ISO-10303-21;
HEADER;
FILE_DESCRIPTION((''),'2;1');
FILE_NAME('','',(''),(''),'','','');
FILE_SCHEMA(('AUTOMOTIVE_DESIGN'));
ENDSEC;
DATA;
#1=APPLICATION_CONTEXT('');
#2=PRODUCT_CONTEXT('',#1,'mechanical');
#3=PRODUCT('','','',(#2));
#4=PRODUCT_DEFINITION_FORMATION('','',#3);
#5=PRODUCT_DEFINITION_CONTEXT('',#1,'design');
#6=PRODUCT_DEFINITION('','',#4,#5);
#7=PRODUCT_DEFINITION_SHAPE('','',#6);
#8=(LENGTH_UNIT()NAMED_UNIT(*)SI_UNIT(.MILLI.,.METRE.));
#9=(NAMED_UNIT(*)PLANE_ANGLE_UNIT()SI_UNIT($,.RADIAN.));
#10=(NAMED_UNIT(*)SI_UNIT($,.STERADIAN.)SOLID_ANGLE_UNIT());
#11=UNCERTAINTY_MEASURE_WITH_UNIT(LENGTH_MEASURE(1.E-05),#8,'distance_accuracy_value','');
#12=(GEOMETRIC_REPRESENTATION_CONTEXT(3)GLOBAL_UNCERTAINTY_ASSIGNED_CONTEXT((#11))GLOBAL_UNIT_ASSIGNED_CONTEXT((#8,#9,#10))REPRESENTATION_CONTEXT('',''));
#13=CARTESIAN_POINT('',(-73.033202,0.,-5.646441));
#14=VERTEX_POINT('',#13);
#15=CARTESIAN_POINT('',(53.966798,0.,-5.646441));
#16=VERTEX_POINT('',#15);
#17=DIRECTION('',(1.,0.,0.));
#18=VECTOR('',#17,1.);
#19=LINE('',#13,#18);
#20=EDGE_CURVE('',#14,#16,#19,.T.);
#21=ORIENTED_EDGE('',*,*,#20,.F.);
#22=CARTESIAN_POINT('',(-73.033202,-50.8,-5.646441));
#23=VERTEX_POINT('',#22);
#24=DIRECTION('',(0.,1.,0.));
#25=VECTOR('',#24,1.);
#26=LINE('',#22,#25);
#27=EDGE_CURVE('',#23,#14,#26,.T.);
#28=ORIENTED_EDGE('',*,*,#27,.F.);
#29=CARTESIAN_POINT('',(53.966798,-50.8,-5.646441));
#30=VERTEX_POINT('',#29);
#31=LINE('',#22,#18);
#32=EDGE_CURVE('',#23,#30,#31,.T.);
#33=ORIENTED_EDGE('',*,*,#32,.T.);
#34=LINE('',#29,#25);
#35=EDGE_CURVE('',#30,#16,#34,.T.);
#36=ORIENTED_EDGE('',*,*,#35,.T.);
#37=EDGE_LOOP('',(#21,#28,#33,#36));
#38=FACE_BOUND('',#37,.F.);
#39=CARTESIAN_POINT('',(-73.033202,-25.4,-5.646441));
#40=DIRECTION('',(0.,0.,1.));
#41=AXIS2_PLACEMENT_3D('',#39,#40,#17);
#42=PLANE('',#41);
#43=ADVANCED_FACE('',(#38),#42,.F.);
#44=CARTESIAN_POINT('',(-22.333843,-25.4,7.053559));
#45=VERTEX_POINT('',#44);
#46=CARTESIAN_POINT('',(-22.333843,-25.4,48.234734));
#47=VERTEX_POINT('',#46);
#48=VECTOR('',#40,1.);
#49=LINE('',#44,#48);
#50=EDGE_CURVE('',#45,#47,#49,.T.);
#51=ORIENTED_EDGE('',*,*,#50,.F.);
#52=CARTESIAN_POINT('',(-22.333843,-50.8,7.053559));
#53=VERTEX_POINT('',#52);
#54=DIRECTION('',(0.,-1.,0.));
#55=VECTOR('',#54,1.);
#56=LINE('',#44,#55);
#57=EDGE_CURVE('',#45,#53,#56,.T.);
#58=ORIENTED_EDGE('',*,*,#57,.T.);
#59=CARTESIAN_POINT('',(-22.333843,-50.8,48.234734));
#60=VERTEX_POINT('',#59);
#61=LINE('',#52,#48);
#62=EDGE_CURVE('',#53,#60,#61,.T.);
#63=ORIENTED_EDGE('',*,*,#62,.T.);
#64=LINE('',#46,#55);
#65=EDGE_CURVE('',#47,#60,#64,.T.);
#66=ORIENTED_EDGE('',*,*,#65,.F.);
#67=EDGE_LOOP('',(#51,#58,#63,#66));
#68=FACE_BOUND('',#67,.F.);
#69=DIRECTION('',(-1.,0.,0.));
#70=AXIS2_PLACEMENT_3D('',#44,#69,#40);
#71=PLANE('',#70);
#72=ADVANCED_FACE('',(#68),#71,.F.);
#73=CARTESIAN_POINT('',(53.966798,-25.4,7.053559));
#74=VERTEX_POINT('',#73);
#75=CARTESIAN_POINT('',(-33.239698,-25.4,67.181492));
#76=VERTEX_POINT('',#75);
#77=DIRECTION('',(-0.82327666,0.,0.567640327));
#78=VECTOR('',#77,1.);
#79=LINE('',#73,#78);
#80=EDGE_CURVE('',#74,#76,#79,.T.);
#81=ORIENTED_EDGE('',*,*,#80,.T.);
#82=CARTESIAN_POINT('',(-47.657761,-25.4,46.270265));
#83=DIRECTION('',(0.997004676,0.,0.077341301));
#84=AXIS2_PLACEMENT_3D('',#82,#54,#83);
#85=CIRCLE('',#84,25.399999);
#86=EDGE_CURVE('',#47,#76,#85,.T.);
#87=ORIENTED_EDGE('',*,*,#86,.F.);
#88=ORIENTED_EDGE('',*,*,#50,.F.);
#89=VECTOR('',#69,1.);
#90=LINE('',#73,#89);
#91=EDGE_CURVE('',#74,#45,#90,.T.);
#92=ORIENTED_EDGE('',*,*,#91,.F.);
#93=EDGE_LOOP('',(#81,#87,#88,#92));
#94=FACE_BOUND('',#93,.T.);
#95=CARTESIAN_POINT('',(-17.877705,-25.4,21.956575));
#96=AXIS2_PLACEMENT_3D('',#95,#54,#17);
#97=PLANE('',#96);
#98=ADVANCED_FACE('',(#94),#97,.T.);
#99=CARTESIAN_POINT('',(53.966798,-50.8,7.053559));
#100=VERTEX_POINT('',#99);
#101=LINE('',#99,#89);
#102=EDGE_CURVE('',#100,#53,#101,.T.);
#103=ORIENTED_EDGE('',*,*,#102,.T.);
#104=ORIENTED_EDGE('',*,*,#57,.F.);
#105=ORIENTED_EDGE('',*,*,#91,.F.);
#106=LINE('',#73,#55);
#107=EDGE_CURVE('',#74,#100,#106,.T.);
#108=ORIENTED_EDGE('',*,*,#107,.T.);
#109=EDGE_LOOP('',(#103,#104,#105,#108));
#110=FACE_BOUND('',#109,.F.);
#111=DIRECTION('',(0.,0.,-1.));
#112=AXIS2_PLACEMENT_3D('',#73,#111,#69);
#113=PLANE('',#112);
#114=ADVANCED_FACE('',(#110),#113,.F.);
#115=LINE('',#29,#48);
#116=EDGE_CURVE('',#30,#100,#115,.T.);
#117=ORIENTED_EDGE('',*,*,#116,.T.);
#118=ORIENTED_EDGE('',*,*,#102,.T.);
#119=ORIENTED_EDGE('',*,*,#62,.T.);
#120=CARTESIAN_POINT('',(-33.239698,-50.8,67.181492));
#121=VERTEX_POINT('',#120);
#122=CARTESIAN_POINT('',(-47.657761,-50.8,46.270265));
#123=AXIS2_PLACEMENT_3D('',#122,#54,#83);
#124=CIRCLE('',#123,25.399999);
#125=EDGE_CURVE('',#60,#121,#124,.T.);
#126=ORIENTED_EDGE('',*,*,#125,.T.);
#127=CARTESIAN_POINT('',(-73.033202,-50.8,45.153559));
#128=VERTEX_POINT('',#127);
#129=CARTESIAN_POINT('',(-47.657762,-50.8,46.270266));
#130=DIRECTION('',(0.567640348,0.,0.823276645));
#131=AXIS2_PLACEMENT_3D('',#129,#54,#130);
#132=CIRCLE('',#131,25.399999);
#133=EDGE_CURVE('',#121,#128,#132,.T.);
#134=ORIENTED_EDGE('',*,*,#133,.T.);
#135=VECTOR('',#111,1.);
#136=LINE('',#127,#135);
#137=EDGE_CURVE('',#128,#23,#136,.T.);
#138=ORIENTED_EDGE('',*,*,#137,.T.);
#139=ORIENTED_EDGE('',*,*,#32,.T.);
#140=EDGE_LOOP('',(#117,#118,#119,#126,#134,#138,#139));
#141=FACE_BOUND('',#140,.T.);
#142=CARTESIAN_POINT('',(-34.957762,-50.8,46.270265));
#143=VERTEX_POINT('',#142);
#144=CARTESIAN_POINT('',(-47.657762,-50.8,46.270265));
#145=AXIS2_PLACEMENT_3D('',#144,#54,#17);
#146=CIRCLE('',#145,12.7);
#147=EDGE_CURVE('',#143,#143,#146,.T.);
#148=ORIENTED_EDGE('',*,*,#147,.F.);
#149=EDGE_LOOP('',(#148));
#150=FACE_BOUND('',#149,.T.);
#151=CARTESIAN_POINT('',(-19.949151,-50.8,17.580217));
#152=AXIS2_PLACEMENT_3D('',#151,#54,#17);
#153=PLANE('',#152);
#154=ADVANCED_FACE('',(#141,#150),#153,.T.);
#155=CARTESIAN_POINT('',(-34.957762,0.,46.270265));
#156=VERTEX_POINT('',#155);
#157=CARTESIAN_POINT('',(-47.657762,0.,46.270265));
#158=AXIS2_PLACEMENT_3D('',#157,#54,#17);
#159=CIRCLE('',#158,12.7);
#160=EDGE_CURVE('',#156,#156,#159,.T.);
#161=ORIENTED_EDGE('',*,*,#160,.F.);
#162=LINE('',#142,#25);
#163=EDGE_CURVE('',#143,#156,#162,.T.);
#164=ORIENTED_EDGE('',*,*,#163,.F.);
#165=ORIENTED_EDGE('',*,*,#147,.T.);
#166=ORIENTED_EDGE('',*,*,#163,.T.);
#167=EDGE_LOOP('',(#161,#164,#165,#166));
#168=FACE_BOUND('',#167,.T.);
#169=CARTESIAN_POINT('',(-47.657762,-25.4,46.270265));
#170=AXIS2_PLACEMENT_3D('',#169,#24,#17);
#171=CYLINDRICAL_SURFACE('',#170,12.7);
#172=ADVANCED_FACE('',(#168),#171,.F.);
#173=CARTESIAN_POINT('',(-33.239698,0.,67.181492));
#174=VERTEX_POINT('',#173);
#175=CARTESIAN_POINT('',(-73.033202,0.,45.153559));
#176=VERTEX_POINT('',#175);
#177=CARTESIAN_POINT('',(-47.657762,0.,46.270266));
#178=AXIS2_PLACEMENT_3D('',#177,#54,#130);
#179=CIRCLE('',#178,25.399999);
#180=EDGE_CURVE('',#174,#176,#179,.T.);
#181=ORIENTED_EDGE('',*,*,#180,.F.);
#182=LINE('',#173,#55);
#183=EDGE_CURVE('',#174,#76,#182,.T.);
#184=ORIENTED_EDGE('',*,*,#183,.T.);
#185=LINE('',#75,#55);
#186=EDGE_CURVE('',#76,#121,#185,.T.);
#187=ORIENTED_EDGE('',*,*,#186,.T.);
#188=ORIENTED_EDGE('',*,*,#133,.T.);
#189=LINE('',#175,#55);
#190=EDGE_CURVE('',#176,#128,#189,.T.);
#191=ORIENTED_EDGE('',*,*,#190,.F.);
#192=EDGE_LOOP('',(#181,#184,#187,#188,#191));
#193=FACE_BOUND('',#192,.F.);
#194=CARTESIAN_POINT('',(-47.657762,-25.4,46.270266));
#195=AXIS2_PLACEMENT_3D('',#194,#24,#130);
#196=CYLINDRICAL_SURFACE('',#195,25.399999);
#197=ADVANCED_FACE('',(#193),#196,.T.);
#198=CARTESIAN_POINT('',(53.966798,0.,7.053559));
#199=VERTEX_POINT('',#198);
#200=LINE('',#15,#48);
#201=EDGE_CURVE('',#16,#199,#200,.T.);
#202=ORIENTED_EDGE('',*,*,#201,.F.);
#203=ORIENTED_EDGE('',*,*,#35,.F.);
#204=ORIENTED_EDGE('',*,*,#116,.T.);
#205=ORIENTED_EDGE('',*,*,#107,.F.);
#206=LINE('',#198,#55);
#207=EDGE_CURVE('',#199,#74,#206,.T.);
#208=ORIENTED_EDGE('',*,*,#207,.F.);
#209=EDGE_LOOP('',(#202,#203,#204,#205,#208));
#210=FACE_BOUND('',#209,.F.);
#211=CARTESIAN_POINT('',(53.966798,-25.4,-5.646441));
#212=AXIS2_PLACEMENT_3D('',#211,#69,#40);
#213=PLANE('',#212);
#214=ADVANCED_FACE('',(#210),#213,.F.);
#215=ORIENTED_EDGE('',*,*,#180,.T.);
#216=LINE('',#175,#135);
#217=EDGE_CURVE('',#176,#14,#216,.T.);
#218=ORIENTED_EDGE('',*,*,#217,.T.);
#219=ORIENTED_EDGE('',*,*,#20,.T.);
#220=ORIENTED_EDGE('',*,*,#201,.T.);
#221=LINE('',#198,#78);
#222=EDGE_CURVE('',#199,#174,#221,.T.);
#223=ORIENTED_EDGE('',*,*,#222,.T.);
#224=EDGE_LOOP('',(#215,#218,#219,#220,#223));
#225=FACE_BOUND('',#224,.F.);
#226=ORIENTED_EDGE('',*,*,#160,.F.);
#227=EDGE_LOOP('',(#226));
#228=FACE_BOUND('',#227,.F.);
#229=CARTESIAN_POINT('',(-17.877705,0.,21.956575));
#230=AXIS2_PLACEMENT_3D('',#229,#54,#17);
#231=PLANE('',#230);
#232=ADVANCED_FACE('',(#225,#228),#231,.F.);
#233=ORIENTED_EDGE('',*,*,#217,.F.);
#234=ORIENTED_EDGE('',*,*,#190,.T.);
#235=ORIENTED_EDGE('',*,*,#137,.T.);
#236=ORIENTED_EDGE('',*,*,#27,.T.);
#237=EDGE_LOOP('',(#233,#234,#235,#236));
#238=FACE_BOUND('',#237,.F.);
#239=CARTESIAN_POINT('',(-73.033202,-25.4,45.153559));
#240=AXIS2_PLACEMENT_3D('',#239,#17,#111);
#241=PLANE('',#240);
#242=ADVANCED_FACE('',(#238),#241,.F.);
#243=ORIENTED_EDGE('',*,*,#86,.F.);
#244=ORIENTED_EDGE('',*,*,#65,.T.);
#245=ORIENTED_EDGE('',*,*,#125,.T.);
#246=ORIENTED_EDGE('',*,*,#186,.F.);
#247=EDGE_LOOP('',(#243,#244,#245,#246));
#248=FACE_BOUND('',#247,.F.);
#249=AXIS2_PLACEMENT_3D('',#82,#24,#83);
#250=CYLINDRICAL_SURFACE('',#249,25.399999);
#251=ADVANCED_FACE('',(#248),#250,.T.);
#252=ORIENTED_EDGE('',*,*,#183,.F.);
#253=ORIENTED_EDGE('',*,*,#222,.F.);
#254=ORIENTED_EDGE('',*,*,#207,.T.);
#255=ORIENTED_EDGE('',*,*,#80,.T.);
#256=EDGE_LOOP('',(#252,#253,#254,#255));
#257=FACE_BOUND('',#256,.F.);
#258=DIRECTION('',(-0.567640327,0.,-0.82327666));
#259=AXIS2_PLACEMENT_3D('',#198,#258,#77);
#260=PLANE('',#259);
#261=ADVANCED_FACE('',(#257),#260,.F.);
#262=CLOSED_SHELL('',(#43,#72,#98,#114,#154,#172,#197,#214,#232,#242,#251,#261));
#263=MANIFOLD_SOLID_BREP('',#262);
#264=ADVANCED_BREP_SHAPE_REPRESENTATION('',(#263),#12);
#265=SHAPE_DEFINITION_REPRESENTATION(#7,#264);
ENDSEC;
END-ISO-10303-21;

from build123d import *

# Parameters (mm, degrees)
F0_R     = 12.7
F1_DEPTH = 25.4
F2_R     = 12.7
F3_DEPTH = 25.4


with BuildPart() as f1:
    # F0 (on Front) → F1 (new body)
    with BuildSketch(Plane.XZ):
        with BuildLine():
            Line((53.966798, 7.053559), (-33.239698, 67.181492))
            ThreePointArc((-33.239698, 67.181492), (-59.959123, 68.492698), (-73.033202, 45.153559))
            Line((-73.033202, 45.153559), (-73.033202, -5.646441))
            Line((-73.033202, -5.646441), (53.966798, -5.646441))
            Line((53.966798, -5.646441), (53.966798, 7.053559))
        make_face()
        with Locations((-47.657762, 46.270265)):
            Circle(F0_R, mode=Mode.SUBTRACT)
    extrude(amount=F1_DEPTH)

    # F2 (on face) → F3 (join)
    with BuildSketch(Plane.XZ.offset(25.4)):
        with BuildLine():
            Line((-22.333843, 7.053559), (-22.333843, 44.305795))
            Line((-22.333843, 44.305795), (-22.333843, 48.234734))
            ThreePointArc((-22.333843, 48.234734), (-25.644102, 58.941444), (-33.239698, 67.181492))
            ThreePointArc((-33.239698, 67.181492), (-59.959123, 68.492698), (-73.033202, 45.153559))
            Line((-73.033202, 45.153559), (-73.033202, 7.053559))
            Line((-73.033202, 7.053559), (-73.033202, -5.646441))
            Line((-73.033202, -5.646441), (53.966798, -5.646441))
            Line((53.966798, -5.646441), (53.966798, 7.053559))
            Line((53.966798, 7.053559), (-22.333843, 7.053559))
        make_face()
        with Locations((-47.657762, 46.270265)):
            Circle(F2_R, mode=Mode.SUBTRACT)
    extrude(amount=F3_DEPTH)


solid = f1.part
